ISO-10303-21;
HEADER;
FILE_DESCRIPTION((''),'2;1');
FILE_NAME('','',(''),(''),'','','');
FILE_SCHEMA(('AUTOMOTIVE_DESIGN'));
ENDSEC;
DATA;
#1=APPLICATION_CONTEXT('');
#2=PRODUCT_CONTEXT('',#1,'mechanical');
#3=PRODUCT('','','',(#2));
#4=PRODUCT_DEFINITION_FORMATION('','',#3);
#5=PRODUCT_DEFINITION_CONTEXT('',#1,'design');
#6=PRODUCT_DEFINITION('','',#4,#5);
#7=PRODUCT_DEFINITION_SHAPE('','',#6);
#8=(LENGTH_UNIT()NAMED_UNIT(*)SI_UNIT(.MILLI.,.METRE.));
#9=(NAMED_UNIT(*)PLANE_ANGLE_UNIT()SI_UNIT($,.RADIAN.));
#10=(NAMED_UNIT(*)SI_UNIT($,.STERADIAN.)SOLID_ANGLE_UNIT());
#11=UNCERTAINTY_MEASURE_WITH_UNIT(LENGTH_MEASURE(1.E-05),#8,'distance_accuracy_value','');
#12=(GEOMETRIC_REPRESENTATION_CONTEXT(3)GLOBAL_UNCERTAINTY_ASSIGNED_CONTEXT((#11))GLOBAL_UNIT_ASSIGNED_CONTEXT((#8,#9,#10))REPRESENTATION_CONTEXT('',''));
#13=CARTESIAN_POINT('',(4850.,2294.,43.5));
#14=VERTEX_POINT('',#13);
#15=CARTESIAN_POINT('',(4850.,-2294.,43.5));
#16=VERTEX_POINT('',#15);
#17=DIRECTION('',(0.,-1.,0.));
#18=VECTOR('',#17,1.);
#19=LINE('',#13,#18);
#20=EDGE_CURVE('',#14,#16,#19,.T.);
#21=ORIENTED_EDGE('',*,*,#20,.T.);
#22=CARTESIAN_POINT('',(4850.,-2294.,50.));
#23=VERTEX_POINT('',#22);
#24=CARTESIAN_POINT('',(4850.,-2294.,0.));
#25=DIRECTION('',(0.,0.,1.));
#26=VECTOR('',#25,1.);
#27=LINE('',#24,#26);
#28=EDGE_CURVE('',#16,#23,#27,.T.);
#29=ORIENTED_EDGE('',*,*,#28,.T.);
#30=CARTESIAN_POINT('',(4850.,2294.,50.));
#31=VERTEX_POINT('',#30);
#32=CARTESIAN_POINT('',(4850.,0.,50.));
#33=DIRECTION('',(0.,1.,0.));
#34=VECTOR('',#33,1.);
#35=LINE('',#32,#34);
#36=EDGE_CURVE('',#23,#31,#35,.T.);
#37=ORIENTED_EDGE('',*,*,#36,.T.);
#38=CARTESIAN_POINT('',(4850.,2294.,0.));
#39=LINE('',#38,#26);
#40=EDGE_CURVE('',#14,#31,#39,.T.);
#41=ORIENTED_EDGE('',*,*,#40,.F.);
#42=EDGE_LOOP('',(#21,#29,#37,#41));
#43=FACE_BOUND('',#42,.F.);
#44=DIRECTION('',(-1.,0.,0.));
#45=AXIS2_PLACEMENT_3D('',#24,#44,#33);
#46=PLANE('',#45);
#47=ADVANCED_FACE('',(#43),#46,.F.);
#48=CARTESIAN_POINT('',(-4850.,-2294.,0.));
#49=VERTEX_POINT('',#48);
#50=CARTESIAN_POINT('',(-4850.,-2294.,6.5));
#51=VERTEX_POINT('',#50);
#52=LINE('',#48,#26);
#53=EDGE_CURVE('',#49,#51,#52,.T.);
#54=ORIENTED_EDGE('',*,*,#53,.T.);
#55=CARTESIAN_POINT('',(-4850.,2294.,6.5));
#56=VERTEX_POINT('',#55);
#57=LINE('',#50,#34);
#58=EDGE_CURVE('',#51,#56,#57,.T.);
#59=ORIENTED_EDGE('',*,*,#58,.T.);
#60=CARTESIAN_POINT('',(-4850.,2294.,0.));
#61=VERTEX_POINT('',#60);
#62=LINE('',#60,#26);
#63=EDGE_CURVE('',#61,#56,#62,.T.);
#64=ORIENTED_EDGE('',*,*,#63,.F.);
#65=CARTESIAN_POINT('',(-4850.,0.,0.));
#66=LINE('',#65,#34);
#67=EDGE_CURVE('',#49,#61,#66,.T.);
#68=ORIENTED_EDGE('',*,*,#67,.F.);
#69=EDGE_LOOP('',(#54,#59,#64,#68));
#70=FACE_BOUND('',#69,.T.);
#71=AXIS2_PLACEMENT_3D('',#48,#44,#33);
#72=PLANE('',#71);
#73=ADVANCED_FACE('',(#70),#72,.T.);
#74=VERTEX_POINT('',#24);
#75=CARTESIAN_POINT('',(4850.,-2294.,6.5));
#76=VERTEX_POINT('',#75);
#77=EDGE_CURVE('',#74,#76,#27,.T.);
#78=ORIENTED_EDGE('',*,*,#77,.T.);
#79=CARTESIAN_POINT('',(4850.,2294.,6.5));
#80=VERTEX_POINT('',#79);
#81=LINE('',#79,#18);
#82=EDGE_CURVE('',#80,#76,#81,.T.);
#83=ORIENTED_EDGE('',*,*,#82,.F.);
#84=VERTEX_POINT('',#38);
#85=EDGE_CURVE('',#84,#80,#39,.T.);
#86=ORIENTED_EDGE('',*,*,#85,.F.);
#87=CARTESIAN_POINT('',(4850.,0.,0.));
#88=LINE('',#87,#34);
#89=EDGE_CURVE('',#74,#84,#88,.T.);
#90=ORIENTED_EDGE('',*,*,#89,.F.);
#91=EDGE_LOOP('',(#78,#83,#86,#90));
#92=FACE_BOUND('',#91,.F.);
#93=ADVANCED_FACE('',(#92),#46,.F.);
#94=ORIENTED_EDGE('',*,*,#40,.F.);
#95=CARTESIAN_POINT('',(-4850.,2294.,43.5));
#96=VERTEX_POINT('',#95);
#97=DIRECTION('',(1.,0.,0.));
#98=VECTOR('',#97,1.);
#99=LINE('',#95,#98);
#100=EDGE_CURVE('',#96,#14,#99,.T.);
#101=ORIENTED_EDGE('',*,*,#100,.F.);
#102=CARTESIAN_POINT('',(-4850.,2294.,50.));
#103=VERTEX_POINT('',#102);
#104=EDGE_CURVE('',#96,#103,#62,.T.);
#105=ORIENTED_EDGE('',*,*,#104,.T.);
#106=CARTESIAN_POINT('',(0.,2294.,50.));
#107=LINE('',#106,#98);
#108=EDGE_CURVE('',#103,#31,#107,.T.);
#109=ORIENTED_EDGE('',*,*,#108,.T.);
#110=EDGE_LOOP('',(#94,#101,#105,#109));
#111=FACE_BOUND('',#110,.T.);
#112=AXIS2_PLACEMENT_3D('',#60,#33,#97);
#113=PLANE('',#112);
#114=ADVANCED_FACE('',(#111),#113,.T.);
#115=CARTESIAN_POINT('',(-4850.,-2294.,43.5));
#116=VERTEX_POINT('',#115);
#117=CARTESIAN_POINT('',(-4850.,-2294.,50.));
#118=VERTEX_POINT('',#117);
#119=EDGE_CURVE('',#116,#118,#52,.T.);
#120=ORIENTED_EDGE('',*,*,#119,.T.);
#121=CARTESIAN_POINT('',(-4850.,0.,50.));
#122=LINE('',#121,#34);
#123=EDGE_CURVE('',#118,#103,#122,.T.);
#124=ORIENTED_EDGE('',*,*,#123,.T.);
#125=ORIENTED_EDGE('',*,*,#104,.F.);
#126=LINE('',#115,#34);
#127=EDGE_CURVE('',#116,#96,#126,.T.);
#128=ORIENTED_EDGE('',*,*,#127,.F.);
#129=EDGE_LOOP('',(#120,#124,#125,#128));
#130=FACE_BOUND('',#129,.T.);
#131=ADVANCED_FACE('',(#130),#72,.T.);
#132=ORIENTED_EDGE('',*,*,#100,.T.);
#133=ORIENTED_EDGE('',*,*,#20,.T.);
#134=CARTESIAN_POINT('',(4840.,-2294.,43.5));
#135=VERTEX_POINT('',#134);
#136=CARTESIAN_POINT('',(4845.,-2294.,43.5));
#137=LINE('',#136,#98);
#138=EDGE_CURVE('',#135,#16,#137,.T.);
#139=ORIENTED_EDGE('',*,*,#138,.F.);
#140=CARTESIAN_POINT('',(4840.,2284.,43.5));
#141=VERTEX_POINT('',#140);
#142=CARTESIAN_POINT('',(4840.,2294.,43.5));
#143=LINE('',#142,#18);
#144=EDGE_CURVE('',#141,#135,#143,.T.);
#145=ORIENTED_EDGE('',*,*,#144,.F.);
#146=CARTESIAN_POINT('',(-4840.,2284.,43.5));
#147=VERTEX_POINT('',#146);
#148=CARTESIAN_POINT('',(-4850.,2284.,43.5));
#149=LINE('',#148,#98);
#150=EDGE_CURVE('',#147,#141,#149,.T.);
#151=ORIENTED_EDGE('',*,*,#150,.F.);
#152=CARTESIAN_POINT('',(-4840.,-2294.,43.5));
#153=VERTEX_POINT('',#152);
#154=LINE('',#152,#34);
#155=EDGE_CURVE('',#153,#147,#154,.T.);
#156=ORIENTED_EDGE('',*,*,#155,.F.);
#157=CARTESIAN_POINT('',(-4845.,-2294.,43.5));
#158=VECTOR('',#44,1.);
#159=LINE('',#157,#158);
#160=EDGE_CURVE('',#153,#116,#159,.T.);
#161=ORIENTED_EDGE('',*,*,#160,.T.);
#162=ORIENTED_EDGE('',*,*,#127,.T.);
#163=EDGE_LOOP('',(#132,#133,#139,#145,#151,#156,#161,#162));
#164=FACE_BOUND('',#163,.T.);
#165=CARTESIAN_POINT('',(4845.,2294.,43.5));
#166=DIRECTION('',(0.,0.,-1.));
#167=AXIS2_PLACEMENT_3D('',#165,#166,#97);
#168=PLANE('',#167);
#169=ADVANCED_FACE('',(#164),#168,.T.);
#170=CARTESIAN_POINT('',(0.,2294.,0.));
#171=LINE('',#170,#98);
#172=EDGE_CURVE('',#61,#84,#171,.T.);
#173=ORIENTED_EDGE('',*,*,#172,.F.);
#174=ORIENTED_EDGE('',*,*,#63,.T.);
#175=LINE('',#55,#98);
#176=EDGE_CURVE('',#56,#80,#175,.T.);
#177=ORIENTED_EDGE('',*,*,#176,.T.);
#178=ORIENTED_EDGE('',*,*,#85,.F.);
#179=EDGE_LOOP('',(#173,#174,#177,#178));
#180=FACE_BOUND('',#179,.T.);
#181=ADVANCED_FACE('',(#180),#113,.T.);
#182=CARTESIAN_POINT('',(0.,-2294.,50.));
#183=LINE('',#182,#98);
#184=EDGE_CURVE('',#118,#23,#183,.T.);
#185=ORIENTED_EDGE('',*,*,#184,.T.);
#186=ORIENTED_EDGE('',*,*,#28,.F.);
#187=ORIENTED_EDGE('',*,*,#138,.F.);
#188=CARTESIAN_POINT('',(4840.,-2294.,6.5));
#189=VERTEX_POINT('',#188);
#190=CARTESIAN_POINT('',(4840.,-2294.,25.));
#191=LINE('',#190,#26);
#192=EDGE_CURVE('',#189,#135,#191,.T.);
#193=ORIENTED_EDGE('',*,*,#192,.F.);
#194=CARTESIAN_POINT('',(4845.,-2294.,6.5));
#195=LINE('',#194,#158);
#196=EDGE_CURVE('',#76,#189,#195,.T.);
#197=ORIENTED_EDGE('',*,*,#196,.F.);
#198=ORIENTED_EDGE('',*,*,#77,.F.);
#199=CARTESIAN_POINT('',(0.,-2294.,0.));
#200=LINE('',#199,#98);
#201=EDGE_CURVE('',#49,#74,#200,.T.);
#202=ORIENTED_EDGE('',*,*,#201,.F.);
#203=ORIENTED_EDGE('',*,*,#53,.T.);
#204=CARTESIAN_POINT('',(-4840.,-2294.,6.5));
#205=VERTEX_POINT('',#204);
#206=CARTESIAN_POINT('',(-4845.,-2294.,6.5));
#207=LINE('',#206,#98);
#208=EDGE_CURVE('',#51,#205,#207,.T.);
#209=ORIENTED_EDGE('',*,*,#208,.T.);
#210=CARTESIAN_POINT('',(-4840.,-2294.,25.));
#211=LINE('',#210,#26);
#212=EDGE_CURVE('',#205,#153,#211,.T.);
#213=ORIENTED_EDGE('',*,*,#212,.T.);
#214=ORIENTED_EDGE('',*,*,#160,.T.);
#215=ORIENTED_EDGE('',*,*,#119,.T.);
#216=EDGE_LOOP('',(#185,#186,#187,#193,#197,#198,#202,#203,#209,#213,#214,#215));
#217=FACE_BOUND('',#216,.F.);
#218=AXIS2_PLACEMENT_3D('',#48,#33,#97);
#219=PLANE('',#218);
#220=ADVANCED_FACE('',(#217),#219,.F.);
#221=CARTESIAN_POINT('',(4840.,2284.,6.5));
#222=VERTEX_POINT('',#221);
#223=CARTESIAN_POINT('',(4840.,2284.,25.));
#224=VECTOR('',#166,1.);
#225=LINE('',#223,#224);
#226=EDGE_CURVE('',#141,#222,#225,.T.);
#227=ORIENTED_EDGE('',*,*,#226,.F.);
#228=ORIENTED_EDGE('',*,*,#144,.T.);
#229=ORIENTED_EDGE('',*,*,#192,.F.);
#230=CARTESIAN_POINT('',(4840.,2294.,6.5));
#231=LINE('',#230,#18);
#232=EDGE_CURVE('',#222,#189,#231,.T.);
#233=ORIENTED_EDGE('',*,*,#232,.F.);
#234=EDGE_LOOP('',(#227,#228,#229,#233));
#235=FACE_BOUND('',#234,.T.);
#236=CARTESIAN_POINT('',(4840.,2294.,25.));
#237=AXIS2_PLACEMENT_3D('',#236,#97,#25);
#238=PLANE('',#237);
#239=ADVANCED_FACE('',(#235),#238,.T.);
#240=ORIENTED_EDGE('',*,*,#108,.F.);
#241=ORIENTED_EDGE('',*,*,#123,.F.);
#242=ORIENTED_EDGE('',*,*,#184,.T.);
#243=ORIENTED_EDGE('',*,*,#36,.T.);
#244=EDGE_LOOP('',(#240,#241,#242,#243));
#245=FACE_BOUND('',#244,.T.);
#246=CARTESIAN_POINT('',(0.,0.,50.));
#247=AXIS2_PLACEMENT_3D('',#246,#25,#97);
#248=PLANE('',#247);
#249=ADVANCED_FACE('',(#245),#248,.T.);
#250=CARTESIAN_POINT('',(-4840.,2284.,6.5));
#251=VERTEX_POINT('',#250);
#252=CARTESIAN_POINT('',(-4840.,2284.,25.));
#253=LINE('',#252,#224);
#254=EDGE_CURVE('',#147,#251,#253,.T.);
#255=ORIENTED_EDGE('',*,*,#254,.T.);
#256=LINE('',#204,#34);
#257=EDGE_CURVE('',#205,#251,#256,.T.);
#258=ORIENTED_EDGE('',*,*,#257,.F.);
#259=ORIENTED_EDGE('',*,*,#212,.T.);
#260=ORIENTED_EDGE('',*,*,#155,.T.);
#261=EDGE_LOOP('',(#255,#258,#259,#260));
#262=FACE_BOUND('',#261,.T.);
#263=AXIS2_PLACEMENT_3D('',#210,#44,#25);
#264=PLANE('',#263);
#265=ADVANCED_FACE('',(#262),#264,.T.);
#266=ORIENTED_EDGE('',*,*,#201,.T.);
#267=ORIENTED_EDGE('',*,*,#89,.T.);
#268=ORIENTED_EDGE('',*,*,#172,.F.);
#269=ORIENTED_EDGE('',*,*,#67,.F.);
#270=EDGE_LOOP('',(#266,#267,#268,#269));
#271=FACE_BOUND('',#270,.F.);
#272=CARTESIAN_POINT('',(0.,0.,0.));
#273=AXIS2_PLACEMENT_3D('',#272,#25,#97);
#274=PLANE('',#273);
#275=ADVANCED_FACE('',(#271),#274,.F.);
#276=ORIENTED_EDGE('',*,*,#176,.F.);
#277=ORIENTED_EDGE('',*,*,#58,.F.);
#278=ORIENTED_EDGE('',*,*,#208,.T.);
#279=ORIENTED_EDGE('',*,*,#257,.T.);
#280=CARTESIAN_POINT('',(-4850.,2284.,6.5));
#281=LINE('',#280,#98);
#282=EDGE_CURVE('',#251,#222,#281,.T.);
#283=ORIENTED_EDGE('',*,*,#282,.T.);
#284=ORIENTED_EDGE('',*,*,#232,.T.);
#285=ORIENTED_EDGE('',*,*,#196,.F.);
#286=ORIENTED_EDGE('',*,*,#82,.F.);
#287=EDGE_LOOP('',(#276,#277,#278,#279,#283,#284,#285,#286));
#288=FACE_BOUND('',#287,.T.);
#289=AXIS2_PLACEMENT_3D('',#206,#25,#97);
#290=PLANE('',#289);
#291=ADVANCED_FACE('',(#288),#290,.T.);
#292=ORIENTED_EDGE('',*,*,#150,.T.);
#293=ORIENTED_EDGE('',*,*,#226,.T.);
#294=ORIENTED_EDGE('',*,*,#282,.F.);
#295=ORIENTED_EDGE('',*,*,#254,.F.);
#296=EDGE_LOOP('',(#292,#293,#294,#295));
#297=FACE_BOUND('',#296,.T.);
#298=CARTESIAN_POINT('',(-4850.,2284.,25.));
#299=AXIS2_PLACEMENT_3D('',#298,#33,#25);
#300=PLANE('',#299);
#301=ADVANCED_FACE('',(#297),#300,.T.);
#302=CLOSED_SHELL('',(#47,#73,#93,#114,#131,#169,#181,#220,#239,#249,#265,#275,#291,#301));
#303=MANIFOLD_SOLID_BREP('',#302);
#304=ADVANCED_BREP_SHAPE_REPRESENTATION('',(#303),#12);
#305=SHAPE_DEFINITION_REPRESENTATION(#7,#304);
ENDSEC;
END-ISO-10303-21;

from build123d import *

# Parameters (mm, degrees)
F0_W     = 9700
F0_H     = 4588
F1_DEPTH = 50
F3_W     = 10
F3_H     = 37


with BuildPart() as f1:
    # F0 (on Top) → F1 (new body)
    with BuildSketch(Plane.XY):
        Rectangle(F0_W, F0_H)
    extrude(amount=F1_DEPTH)

    # F4: sweep along a path in F2
    with BuildLine(Plane.XY.offset(50)) as f4_path:
        Line((-4850, -2294), (-4850, 2294))
        Line((-4850, 2294), (4850, 2294))
        Line((4850, 2294), (4850, -2294))
    # F3 (on face) → F4 (sweep, cut)
    with BuildSketch(Plane.XZ.offset(2294)):
        with Locations((-4845, 25)):
            Rectangle(F3_W, F3_H)
    sweep(path=f4_path.line, transition=Transition.RIGHT, mode=Mode.SUBTRACT)


solid = f1.part
